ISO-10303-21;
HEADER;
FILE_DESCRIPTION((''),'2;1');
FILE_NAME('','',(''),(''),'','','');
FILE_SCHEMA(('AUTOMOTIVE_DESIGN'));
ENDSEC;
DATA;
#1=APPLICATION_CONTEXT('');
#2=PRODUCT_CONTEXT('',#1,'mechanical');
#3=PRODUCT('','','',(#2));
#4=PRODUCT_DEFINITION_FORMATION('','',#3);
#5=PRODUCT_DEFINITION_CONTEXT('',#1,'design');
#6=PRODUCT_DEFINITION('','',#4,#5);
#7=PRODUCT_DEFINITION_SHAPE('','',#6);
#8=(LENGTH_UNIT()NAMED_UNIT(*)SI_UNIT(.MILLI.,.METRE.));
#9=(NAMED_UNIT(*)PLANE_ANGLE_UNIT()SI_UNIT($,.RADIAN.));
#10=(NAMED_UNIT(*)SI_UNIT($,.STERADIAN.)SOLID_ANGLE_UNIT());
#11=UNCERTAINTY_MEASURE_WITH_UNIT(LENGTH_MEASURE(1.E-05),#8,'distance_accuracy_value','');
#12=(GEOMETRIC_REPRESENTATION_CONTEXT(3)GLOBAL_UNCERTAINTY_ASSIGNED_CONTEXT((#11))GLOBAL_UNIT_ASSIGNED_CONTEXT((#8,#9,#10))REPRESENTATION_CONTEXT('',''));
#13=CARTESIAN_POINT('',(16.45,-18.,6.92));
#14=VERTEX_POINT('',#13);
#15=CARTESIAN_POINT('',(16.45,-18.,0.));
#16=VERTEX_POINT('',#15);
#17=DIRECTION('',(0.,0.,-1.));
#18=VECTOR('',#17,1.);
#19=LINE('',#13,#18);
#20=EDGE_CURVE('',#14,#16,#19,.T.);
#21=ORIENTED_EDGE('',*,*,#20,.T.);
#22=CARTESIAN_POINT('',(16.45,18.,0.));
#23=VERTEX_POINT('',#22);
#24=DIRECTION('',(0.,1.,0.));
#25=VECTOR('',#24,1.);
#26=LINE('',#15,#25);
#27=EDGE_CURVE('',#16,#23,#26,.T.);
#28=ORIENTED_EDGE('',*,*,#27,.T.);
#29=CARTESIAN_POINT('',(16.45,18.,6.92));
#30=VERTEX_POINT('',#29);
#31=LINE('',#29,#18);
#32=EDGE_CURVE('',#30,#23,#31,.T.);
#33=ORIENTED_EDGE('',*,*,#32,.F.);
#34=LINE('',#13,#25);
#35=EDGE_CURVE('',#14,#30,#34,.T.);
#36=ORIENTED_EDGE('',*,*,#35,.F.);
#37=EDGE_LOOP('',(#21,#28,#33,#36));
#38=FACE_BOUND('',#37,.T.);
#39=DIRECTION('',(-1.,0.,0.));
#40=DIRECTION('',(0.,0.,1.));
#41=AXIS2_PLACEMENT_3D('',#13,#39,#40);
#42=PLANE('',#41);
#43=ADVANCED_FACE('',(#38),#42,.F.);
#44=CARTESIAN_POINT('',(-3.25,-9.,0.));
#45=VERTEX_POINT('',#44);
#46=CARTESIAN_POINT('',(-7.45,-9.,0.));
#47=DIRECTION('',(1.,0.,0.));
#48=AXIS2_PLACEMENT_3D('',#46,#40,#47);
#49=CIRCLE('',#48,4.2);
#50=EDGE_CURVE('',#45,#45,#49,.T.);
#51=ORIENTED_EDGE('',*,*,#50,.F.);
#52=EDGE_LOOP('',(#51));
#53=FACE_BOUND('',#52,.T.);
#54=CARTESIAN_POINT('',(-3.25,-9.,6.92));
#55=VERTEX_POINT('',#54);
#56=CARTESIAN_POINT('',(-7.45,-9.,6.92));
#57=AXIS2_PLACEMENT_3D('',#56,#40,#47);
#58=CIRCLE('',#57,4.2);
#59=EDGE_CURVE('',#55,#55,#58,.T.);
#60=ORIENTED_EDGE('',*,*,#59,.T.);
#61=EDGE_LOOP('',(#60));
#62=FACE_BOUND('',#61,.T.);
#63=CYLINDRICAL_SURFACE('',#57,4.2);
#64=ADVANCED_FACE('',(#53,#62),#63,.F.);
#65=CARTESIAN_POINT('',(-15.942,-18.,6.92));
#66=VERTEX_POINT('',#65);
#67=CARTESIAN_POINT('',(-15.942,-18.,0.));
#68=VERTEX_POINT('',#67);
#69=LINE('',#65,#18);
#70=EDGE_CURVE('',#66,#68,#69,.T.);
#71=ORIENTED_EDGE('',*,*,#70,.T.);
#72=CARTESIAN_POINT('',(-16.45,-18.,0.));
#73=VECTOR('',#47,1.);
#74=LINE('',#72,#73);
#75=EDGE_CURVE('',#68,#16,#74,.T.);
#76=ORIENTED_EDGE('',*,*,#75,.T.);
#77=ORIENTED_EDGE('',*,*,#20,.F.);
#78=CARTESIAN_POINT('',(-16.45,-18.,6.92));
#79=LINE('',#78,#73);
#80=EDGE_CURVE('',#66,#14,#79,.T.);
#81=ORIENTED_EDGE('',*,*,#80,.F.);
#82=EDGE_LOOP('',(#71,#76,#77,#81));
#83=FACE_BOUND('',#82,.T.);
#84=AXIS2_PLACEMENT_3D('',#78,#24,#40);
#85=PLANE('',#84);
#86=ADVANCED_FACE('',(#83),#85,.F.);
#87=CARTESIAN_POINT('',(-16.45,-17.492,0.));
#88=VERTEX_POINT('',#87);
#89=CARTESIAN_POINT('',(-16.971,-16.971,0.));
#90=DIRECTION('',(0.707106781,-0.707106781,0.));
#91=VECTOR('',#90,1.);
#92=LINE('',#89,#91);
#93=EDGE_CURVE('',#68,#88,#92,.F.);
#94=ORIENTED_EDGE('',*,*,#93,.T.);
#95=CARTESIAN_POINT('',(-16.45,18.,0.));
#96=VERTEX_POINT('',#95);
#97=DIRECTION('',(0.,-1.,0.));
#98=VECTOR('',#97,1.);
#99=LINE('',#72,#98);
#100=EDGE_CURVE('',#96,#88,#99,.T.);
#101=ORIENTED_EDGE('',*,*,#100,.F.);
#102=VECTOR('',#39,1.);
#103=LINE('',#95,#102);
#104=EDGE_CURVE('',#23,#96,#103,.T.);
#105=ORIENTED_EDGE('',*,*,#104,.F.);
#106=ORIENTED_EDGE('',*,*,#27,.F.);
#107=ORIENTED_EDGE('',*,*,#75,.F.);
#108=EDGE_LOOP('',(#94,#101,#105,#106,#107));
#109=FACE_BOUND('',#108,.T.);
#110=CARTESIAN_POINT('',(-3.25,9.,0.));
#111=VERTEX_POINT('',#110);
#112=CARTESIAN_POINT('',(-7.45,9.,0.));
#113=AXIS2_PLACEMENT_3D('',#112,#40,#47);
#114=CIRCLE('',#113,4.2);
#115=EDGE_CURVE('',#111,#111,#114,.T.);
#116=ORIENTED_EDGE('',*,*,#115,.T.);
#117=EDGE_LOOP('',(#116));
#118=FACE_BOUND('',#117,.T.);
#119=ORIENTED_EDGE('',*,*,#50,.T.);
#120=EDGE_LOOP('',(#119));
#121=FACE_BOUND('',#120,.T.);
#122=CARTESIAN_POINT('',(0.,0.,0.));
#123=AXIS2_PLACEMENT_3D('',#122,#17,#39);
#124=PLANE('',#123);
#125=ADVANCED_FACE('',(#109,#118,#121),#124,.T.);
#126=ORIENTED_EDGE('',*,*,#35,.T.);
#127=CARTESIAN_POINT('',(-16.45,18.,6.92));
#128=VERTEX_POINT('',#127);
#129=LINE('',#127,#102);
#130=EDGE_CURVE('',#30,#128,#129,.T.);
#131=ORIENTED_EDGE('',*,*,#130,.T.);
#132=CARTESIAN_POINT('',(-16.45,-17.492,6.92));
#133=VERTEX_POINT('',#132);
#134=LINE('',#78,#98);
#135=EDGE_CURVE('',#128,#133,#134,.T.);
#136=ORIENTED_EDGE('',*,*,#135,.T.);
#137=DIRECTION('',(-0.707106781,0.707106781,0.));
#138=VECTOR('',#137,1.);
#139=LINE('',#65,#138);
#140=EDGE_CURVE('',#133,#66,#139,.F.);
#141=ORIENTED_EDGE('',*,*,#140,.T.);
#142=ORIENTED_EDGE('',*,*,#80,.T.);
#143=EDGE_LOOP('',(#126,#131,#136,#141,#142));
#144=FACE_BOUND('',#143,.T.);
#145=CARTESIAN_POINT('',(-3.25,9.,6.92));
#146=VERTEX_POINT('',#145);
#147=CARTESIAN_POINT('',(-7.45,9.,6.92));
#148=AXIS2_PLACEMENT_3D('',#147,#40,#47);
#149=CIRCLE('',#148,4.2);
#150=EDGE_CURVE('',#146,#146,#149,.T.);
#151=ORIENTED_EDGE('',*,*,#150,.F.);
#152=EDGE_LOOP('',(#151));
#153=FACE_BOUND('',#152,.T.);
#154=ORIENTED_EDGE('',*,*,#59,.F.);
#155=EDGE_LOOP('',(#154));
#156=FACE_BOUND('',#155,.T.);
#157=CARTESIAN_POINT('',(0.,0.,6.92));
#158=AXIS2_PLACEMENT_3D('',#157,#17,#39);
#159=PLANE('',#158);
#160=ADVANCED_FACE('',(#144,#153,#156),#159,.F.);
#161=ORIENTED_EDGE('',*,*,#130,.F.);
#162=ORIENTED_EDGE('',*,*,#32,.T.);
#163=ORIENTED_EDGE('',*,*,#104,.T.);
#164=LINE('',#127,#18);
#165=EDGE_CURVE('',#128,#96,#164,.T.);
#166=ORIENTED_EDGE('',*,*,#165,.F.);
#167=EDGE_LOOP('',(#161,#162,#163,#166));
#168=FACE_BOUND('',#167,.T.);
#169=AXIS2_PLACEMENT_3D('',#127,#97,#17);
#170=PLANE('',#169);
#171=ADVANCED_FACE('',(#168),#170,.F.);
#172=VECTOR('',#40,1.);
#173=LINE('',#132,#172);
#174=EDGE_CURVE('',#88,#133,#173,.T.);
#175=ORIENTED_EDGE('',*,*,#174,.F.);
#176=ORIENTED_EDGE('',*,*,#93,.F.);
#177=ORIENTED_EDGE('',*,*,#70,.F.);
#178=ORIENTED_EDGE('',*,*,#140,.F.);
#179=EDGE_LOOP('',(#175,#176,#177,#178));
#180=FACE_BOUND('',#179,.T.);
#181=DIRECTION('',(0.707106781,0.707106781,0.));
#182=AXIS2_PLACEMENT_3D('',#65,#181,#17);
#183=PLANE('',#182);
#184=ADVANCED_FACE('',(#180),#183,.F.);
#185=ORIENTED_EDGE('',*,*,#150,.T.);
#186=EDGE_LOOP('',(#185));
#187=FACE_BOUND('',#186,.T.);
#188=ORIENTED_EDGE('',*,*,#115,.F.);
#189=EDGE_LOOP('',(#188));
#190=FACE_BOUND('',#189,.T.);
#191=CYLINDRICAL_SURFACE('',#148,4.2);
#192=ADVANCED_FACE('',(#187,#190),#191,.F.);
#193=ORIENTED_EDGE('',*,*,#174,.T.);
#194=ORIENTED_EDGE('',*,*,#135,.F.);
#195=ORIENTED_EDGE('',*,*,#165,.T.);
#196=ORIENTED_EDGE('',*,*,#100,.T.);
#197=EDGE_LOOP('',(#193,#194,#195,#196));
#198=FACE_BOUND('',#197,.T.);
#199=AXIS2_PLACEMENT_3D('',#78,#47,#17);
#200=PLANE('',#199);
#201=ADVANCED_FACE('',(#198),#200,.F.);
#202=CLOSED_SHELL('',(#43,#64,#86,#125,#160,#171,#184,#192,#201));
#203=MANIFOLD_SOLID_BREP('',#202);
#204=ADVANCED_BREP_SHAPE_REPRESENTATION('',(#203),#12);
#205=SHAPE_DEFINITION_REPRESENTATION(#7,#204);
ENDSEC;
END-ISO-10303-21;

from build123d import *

# Parameters (mm, degrees)
SKETCH1_W            = 32.9
SKETCH1_H            = 36
BOSS_EXTRUDE1_DEPTH  = 6.92
M8_CLEARANCE_HOLE1_D = 8.4
CHAMFER1_SIZE        = 0.508


with BuildPart() as part:
    # Sketch1 → Boss-Extrude1 (new body)
    with BuildSketch(Plane.XY):
        Rectangle(SKETCH1_W, SKETCH1_H)
    extrude(amount=BOSS_EXTRUDE1_DEPTH)

    # M8 Clearance Hole1 (through all)
    with Locations(Plane.XY.offset(6.92)):
        with Locations((-7.449999987, -9), (-7.449999987, 9)):
            Hole(M8_CLEARANCE_HOLE1_D / 2)

    # Chamfer1
    chamfer1_edges = [part.edges().sort_by_distance(p)[0] for p in [
        (-16.45, -18, 3.46),
    ]]
    chamfer(chamfer1_edges, length=CHAMFER1_SIZE)


solid = part.part
